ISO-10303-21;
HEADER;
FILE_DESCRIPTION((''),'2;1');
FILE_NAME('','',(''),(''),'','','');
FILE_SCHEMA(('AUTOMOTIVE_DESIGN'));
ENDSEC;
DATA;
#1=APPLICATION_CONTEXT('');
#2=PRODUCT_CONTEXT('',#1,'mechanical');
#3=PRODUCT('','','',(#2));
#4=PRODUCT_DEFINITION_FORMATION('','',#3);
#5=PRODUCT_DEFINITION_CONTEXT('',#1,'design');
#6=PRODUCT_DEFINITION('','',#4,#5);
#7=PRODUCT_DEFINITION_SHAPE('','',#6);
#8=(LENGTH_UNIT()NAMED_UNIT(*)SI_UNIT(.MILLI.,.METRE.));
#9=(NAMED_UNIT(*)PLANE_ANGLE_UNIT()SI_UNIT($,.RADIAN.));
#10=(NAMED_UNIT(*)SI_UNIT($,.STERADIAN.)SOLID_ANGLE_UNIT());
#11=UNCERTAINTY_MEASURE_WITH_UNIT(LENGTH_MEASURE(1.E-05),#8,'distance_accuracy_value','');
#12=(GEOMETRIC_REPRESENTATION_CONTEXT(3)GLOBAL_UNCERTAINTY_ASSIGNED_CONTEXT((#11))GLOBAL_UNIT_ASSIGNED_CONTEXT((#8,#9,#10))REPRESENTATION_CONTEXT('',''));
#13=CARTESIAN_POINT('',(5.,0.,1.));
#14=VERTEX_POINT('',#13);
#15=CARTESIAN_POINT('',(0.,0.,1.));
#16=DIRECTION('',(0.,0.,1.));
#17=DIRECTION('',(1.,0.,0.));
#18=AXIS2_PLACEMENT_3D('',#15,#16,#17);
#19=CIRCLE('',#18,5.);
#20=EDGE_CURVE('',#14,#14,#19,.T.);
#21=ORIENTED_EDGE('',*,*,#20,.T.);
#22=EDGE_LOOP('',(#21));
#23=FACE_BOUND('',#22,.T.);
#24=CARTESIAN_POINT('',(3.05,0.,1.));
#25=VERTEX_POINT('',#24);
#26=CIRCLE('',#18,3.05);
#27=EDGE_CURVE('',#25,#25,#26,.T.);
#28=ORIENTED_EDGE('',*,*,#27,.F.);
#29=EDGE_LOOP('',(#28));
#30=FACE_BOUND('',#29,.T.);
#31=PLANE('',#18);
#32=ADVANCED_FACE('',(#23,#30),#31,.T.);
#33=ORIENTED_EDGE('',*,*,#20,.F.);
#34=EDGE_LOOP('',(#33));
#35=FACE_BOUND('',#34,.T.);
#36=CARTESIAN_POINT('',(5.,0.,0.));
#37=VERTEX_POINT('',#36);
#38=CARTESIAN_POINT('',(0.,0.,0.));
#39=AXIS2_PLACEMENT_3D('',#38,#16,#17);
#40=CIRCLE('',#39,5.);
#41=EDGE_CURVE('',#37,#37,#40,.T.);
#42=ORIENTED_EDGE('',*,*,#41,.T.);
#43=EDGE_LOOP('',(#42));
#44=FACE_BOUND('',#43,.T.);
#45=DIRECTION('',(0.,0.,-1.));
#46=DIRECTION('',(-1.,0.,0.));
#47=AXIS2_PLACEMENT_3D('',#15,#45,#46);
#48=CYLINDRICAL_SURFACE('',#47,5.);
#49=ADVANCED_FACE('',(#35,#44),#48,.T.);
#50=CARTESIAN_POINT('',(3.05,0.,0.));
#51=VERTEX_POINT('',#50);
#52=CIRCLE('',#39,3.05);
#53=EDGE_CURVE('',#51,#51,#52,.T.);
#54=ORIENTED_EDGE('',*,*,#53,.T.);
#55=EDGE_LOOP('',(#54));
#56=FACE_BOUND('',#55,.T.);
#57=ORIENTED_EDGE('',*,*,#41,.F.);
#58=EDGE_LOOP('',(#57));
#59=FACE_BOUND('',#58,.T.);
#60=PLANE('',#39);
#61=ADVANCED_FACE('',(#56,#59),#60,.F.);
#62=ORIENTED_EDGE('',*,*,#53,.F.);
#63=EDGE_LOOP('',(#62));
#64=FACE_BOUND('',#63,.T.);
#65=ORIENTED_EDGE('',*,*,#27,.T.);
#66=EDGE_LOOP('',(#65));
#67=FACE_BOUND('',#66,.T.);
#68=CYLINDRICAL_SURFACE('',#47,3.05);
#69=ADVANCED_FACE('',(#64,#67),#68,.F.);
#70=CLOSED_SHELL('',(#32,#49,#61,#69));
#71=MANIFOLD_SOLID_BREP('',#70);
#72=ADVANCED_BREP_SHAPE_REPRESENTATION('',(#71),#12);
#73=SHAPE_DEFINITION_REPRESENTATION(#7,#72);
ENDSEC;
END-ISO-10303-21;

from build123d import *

# Parameters (mm, degrees)
SKETCH1_R           = 5
SKETCH1_R_2         = 3.05
BOSS_EXTRUDE1_DEPTH = 1


with BuildPart() as part:
    # Sketch1 → Boss-Extrude1 (new body)
    with BuildSketch(Plane.XY):
        Circle(SKETCH1_R)
        Circle(SKETCH1_R_2, mode=Mode.SUBTRACT)
    extrude(amount=BOSS_EXTRUDE1_DEPTH)


solid = part.part
